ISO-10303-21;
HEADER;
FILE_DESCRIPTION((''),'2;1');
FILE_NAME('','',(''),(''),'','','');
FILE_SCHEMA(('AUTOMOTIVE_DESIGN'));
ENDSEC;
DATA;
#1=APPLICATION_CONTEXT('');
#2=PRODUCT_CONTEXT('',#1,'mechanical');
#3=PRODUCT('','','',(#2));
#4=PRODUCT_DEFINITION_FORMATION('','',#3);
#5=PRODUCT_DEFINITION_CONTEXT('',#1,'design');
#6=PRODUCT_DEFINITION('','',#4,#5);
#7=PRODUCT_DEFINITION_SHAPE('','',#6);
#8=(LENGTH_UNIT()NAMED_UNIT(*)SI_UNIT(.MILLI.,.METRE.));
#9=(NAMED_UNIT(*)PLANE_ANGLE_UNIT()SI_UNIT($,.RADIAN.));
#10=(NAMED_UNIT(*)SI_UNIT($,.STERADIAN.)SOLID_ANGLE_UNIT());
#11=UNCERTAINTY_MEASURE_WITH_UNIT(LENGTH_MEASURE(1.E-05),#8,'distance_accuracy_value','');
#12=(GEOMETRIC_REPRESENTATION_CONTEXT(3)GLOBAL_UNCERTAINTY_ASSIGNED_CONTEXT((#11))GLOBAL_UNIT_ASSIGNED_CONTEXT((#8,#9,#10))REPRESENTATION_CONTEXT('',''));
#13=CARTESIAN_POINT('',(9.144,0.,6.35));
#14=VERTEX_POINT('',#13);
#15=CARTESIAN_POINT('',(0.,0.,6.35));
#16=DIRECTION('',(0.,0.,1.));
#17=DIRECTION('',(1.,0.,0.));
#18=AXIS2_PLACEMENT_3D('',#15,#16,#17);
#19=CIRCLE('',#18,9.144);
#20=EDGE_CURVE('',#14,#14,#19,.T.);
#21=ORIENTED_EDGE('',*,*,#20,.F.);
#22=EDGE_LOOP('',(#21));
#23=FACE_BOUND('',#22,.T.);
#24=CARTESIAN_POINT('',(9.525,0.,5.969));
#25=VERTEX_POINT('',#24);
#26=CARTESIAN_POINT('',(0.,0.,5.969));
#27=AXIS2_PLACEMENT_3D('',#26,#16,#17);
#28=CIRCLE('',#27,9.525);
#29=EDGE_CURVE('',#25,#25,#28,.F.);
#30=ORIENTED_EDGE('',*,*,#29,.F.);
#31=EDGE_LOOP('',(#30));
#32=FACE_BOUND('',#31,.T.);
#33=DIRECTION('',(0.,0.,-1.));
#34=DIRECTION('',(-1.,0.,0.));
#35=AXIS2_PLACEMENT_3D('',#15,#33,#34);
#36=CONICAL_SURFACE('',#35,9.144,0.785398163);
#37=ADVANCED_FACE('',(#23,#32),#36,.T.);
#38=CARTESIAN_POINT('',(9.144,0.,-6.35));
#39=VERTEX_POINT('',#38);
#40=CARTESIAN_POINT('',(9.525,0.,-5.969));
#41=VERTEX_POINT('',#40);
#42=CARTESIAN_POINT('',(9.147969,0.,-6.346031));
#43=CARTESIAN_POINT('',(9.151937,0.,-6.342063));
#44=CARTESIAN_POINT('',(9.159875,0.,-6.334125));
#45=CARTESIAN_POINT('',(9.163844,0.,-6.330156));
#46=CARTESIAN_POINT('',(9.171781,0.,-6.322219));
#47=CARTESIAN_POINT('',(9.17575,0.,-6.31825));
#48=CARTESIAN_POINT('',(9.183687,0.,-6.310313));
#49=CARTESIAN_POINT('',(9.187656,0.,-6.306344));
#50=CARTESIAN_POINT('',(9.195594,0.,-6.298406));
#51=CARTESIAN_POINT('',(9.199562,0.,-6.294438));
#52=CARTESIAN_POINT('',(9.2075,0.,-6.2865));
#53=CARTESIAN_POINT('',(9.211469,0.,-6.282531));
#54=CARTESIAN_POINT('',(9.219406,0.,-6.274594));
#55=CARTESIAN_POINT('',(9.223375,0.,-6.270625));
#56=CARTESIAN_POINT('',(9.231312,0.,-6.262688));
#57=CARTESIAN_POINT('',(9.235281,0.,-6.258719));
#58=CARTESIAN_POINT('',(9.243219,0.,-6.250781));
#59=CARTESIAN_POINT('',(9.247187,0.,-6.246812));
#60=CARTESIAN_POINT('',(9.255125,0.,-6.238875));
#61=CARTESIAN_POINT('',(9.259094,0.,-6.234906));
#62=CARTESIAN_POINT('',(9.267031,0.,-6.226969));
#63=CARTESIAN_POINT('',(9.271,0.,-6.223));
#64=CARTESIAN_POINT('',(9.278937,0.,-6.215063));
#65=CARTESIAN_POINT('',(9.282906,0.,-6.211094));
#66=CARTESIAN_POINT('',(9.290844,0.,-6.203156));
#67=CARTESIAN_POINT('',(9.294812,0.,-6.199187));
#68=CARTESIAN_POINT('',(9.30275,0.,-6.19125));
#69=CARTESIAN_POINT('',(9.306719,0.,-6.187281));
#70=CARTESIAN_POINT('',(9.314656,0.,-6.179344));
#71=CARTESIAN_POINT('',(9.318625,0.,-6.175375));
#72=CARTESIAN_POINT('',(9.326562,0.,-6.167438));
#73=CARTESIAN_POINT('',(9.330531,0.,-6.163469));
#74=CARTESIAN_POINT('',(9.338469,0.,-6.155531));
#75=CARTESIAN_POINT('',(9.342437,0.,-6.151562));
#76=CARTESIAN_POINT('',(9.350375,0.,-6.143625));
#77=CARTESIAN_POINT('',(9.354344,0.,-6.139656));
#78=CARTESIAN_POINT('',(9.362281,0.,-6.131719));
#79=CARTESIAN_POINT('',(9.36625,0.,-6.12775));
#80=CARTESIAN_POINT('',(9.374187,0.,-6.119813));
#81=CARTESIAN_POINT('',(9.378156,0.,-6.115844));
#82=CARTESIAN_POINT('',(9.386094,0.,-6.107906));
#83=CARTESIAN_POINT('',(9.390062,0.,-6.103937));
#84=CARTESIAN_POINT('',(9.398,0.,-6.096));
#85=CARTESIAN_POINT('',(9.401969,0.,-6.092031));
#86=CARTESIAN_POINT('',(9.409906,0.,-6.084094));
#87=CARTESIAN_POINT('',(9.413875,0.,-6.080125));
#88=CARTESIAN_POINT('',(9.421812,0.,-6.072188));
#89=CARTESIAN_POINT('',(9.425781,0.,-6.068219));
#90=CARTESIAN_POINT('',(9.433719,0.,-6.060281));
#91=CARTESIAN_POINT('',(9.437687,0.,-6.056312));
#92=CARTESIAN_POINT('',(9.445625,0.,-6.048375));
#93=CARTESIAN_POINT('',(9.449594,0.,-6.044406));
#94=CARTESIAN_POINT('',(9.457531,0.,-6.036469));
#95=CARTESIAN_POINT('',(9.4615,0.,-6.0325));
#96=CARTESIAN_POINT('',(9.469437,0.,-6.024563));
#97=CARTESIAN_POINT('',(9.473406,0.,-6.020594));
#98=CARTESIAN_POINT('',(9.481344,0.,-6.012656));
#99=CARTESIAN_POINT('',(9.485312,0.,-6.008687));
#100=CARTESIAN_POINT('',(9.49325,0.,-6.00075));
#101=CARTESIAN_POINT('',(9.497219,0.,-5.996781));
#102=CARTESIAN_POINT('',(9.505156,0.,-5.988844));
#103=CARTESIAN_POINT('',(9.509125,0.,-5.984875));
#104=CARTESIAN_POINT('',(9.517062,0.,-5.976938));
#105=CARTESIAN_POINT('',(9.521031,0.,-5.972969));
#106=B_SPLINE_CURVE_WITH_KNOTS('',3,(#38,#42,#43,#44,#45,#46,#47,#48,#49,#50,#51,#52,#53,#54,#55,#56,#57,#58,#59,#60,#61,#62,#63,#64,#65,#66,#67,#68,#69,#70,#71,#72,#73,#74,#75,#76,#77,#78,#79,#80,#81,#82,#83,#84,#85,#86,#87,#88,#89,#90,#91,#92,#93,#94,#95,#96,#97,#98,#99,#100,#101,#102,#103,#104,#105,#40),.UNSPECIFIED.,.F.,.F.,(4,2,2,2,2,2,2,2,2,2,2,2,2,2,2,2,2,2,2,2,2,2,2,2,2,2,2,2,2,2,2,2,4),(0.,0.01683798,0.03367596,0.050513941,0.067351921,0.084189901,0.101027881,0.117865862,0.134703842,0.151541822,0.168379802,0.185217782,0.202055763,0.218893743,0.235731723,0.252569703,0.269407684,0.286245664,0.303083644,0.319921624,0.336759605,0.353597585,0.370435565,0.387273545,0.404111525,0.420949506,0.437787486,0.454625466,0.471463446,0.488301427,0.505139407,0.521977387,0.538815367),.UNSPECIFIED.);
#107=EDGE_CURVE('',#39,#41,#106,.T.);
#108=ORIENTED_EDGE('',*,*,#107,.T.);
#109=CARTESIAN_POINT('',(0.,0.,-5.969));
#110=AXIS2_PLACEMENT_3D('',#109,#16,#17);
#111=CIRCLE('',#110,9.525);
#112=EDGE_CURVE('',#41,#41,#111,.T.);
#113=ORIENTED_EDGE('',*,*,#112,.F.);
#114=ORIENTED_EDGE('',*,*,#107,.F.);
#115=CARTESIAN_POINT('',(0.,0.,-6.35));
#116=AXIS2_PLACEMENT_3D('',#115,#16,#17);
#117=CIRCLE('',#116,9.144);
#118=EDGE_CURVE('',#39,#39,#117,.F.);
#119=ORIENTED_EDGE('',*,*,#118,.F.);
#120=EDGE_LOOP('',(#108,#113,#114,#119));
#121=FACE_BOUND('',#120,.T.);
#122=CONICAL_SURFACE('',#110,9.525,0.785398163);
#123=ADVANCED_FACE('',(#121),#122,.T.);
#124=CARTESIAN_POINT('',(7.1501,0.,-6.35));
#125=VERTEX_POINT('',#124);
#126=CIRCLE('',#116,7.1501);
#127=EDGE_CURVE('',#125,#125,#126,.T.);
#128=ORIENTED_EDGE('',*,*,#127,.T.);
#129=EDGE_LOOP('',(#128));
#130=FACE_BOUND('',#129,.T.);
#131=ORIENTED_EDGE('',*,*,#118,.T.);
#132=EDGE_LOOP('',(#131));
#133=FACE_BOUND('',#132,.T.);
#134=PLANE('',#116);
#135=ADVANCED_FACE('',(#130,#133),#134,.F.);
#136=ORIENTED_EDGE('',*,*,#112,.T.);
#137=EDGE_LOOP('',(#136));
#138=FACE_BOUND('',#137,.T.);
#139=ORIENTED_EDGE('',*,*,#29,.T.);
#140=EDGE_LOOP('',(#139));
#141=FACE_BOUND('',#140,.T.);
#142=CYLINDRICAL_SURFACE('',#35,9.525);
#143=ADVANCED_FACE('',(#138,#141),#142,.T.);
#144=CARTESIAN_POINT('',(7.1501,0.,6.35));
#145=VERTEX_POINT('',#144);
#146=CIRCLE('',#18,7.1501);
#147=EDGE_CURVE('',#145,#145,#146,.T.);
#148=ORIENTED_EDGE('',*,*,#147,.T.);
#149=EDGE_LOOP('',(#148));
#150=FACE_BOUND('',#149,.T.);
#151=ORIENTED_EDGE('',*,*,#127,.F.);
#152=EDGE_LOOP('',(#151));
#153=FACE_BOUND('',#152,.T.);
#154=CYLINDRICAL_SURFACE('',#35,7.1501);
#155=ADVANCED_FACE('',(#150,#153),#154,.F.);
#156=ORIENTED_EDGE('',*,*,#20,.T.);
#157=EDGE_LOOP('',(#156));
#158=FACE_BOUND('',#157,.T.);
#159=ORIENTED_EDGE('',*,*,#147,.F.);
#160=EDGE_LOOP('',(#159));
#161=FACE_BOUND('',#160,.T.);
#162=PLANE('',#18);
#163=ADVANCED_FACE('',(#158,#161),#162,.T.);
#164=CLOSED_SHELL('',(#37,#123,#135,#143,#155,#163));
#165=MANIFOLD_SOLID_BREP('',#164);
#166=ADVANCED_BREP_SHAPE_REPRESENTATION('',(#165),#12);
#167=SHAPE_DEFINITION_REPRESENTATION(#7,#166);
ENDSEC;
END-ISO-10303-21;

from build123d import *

# Parameters (mm, degrees)
SKETCH1_R           = 9.525
SKETCH1_R_2         = 7.1501
BOSS_EXTRUDE1_DEPTH = 6.35
CHAMFER1_SIZE       = 0.381


with BuildPart() as part:
    # Sketch1 → Boss-Extrude1 (new, symmetric)
    with BuildSketch(Plane.XY):
        Circle(SKETCH1_R)
        Circle(SKETCH1_R_2, mode=Mode.SUBTRACT)
    extrude(amount=BOSS_EXTRUDE1_DEPTH, both=True)

    # Chamfer1
    chamfer1_edges = [part.edges().sort_by_distance(p)[0] for p in [
        (-9.525, 0, -6.35),
        (-9.525, 0, 6.35),
    ]]
    chamfer(chamfer1_edges, length=CHAMFER1_SIZE)


solid = part.part
